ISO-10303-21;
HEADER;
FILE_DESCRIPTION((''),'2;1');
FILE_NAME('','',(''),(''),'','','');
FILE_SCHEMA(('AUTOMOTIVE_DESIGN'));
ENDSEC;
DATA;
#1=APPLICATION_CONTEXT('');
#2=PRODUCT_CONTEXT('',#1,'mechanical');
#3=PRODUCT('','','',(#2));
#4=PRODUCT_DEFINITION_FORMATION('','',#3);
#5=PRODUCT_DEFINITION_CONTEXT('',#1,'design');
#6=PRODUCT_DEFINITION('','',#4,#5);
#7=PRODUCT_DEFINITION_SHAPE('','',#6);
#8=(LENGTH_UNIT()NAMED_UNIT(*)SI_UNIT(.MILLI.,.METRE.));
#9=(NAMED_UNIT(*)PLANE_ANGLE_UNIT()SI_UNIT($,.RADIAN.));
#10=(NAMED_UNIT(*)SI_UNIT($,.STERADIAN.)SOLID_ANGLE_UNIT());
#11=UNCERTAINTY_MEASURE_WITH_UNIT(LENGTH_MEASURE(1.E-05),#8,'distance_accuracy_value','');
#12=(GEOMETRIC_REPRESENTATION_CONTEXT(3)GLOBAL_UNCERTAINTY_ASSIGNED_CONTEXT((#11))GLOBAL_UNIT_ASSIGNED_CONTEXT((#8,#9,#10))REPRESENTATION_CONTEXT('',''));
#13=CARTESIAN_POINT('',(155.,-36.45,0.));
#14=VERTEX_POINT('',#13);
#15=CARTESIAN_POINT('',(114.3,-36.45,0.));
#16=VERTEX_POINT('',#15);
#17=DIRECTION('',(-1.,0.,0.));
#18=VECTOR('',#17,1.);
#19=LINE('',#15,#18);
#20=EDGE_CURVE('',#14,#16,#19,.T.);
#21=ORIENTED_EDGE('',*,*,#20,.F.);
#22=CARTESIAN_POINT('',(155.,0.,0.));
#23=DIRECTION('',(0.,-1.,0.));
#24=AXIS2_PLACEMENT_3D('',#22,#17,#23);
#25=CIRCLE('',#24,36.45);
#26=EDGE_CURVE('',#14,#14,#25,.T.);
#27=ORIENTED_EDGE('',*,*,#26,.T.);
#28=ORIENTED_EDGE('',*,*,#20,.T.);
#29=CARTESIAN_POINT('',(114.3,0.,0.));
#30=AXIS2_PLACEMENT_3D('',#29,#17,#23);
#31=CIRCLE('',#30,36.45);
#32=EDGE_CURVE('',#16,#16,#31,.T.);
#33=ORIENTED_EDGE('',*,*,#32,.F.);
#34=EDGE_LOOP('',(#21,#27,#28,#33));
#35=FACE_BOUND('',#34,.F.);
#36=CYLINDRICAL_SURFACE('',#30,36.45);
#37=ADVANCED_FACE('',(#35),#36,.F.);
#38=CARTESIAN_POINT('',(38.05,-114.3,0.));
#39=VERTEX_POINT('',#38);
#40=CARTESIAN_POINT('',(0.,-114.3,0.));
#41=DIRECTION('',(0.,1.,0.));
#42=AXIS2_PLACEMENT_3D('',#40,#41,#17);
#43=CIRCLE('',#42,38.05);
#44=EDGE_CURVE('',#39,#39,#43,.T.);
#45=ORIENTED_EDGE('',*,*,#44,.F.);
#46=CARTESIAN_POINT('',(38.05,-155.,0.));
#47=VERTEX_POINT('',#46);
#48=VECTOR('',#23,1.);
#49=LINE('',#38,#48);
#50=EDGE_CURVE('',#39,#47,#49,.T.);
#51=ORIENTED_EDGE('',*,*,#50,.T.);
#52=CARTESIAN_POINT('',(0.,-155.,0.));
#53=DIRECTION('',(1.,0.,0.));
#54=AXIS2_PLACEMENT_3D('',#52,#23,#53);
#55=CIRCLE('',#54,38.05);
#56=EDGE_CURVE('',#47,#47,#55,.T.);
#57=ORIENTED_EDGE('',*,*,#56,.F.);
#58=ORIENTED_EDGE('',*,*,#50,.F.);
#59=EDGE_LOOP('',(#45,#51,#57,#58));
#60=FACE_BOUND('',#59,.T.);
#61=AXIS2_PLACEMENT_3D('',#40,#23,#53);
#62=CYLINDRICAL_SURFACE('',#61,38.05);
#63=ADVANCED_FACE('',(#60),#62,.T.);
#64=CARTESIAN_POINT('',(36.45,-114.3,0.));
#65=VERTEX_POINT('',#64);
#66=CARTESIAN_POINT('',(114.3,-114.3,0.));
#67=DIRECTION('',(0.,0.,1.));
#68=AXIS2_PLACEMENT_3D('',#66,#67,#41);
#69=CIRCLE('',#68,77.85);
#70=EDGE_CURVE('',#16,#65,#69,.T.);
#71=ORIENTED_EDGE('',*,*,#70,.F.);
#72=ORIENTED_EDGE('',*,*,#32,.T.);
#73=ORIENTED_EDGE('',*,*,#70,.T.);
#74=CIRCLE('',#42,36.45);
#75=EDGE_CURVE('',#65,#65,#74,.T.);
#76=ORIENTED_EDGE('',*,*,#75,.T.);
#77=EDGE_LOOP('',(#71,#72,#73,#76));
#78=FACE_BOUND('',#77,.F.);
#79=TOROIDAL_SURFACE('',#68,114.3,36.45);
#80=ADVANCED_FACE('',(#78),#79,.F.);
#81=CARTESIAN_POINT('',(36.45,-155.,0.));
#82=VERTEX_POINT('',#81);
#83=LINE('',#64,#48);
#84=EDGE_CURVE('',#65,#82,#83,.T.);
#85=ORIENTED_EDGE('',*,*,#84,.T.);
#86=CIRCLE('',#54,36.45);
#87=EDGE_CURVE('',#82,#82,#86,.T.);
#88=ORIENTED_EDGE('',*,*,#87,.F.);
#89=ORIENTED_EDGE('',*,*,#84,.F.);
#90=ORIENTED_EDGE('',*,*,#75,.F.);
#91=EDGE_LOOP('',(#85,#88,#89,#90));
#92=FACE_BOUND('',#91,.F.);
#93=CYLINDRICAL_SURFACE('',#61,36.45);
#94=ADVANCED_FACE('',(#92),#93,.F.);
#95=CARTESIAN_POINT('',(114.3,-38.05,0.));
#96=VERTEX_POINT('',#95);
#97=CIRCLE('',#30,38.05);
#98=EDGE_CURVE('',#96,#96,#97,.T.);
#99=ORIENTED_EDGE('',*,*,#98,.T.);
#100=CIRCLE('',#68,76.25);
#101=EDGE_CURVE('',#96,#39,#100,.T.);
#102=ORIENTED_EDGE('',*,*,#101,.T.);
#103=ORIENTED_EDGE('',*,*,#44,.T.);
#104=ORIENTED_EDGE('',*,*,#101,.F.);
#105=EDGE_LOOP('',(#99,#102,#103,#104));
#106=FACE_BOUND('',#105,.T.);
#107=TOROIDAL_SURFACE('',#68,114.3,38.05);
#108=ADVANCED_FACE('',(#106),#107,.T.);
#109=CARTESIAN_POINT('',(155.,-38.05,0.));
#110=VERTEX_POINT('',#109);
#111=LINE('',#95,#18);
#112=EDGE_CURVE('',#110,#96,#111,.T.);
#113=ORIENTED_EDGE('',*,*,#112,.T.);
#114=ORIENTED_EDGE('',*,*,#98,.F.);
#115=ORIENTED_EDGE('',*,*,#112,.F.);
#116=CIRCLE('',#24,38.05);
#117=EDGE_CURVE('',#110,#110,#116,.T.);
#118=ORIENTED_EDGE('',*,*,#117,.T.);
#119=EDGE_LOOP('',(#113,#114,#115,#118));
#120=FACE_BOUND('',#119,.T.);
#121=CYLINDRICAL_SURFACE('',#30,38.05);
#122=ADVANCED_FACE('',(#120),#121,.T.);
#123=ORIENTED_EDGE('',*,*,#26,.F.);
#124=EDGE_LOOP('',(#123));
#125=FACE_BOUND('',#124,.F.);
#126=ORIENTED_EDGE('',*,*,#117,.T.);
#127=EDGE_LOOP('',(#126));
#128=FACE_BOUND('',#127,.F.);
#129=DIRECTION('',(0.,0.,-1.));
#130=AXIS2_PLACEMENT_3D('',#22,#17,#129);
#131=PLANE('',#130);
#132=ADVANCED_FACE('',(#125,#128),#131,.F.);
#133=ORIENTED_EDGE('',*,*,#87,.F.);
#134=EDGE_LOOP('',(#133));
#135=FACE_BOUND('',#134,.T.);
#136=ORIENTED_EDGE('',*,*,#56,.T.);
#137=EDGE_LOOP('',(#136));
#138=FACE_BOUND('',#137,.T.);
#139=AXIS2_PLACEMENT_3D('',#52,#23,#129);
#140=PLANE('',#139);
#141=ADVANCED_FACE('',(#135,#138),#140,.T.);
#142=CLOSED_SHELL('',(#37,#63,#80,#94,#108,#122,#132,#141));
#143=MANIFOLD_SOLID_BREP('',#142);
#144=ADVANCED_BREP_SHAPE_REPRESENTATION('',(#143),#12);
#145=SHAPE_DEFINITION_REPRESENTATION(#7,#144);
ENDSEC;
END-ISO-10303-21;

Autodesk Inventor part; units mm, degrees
ref_plane "YZ Plane" through (0, 0, 0) normal (1, 0, 0) x (0, 1, 0)
ref_plane "XZ Plane" through (0, 0, 0) normal (0, 1, 0) x (-1, 0, 0)
sketch "Szkic6" plane through (0, 0, 0) normal (0, 0, 1) x (1, 0, 0)
  line L0 (-29.6067, 0) -> (35.2678, 0) construction
  line L1 (0, 42.3419) -> (0, -58.3726) construction
  arc A0 (114.3, 0) -> (0, -114.3) centre (114.3, -114.3) ccw
  line L2 (0, -114.3) -> (114.3, -114.3) construction
  line L3 (114.3, -114.3) -> (114.3, -48.7669) construction
  line L4 (114.3, 0) -> (155, 0)
  line L5 (0, -114.3) -> (0, -155)
  point P0 (0, 0)
  dimension "d24" = 114.3
  dimension "d31" = 90
  dimension "d36" = 40.7
  dimension "d37" = 40.7
ref_plane "Płaszczyzna konstrukcyjna2" through (0, -114.3, 0) normal (0, -1, 0) x (1, 0, 0)
sketch "Szkic8" plane through (0, -114.3, 0) normal (0, -1, 0) x (1, 0, 0)
  circle A0 centre (0, 0) radius 38.05
  circle A1 centre (0, 0) radius 36.45
  dimension "d32" = 76.1
  dimension "d33" = 1.6
sweep "Przeciągnięcie2" add profiles "Szkic8" path "Szkic6"
equation "\"d32\" = OD"
equation "\"d33\" = THK"
equation "\"d24\" = R"
equation "\"d31\" = KAT"
equation "\"d36\" = PROSTKA"
equation "\"d37\" = PROSTKA"
equation "\"SzerokośćGięciaPodcięcia\" = Grubość"
equation "\"RozmiarPodcięciaNarożnika\" = 4 * Grubość"
equation "\"PromieńPrzejścia\" = PromieńGięcia"
equation "\"Rozmiar_promienia_Jacobiego\" = PromieńGięcia"
equation "\"Wielk_odstępu\" = Grubość"
equation "\"d2\" = PromieńGięcia"
equation "\"d23\" = PromieńGięcia"
equation "\"R\" = 114.3"
equation "\"OD\" = 76.1"
equation "\"THK\" = 1.6"
equation "\"KAT\" = 90deg"
equation "\"PROSTKA\" = 40.7"
equation "\"Grubość\" = 1.5"
equation "\"PromieńGięcia\" = 3"
properties part number "Kolano 90° ø76,1x1,6 R114,3" material "304L"
